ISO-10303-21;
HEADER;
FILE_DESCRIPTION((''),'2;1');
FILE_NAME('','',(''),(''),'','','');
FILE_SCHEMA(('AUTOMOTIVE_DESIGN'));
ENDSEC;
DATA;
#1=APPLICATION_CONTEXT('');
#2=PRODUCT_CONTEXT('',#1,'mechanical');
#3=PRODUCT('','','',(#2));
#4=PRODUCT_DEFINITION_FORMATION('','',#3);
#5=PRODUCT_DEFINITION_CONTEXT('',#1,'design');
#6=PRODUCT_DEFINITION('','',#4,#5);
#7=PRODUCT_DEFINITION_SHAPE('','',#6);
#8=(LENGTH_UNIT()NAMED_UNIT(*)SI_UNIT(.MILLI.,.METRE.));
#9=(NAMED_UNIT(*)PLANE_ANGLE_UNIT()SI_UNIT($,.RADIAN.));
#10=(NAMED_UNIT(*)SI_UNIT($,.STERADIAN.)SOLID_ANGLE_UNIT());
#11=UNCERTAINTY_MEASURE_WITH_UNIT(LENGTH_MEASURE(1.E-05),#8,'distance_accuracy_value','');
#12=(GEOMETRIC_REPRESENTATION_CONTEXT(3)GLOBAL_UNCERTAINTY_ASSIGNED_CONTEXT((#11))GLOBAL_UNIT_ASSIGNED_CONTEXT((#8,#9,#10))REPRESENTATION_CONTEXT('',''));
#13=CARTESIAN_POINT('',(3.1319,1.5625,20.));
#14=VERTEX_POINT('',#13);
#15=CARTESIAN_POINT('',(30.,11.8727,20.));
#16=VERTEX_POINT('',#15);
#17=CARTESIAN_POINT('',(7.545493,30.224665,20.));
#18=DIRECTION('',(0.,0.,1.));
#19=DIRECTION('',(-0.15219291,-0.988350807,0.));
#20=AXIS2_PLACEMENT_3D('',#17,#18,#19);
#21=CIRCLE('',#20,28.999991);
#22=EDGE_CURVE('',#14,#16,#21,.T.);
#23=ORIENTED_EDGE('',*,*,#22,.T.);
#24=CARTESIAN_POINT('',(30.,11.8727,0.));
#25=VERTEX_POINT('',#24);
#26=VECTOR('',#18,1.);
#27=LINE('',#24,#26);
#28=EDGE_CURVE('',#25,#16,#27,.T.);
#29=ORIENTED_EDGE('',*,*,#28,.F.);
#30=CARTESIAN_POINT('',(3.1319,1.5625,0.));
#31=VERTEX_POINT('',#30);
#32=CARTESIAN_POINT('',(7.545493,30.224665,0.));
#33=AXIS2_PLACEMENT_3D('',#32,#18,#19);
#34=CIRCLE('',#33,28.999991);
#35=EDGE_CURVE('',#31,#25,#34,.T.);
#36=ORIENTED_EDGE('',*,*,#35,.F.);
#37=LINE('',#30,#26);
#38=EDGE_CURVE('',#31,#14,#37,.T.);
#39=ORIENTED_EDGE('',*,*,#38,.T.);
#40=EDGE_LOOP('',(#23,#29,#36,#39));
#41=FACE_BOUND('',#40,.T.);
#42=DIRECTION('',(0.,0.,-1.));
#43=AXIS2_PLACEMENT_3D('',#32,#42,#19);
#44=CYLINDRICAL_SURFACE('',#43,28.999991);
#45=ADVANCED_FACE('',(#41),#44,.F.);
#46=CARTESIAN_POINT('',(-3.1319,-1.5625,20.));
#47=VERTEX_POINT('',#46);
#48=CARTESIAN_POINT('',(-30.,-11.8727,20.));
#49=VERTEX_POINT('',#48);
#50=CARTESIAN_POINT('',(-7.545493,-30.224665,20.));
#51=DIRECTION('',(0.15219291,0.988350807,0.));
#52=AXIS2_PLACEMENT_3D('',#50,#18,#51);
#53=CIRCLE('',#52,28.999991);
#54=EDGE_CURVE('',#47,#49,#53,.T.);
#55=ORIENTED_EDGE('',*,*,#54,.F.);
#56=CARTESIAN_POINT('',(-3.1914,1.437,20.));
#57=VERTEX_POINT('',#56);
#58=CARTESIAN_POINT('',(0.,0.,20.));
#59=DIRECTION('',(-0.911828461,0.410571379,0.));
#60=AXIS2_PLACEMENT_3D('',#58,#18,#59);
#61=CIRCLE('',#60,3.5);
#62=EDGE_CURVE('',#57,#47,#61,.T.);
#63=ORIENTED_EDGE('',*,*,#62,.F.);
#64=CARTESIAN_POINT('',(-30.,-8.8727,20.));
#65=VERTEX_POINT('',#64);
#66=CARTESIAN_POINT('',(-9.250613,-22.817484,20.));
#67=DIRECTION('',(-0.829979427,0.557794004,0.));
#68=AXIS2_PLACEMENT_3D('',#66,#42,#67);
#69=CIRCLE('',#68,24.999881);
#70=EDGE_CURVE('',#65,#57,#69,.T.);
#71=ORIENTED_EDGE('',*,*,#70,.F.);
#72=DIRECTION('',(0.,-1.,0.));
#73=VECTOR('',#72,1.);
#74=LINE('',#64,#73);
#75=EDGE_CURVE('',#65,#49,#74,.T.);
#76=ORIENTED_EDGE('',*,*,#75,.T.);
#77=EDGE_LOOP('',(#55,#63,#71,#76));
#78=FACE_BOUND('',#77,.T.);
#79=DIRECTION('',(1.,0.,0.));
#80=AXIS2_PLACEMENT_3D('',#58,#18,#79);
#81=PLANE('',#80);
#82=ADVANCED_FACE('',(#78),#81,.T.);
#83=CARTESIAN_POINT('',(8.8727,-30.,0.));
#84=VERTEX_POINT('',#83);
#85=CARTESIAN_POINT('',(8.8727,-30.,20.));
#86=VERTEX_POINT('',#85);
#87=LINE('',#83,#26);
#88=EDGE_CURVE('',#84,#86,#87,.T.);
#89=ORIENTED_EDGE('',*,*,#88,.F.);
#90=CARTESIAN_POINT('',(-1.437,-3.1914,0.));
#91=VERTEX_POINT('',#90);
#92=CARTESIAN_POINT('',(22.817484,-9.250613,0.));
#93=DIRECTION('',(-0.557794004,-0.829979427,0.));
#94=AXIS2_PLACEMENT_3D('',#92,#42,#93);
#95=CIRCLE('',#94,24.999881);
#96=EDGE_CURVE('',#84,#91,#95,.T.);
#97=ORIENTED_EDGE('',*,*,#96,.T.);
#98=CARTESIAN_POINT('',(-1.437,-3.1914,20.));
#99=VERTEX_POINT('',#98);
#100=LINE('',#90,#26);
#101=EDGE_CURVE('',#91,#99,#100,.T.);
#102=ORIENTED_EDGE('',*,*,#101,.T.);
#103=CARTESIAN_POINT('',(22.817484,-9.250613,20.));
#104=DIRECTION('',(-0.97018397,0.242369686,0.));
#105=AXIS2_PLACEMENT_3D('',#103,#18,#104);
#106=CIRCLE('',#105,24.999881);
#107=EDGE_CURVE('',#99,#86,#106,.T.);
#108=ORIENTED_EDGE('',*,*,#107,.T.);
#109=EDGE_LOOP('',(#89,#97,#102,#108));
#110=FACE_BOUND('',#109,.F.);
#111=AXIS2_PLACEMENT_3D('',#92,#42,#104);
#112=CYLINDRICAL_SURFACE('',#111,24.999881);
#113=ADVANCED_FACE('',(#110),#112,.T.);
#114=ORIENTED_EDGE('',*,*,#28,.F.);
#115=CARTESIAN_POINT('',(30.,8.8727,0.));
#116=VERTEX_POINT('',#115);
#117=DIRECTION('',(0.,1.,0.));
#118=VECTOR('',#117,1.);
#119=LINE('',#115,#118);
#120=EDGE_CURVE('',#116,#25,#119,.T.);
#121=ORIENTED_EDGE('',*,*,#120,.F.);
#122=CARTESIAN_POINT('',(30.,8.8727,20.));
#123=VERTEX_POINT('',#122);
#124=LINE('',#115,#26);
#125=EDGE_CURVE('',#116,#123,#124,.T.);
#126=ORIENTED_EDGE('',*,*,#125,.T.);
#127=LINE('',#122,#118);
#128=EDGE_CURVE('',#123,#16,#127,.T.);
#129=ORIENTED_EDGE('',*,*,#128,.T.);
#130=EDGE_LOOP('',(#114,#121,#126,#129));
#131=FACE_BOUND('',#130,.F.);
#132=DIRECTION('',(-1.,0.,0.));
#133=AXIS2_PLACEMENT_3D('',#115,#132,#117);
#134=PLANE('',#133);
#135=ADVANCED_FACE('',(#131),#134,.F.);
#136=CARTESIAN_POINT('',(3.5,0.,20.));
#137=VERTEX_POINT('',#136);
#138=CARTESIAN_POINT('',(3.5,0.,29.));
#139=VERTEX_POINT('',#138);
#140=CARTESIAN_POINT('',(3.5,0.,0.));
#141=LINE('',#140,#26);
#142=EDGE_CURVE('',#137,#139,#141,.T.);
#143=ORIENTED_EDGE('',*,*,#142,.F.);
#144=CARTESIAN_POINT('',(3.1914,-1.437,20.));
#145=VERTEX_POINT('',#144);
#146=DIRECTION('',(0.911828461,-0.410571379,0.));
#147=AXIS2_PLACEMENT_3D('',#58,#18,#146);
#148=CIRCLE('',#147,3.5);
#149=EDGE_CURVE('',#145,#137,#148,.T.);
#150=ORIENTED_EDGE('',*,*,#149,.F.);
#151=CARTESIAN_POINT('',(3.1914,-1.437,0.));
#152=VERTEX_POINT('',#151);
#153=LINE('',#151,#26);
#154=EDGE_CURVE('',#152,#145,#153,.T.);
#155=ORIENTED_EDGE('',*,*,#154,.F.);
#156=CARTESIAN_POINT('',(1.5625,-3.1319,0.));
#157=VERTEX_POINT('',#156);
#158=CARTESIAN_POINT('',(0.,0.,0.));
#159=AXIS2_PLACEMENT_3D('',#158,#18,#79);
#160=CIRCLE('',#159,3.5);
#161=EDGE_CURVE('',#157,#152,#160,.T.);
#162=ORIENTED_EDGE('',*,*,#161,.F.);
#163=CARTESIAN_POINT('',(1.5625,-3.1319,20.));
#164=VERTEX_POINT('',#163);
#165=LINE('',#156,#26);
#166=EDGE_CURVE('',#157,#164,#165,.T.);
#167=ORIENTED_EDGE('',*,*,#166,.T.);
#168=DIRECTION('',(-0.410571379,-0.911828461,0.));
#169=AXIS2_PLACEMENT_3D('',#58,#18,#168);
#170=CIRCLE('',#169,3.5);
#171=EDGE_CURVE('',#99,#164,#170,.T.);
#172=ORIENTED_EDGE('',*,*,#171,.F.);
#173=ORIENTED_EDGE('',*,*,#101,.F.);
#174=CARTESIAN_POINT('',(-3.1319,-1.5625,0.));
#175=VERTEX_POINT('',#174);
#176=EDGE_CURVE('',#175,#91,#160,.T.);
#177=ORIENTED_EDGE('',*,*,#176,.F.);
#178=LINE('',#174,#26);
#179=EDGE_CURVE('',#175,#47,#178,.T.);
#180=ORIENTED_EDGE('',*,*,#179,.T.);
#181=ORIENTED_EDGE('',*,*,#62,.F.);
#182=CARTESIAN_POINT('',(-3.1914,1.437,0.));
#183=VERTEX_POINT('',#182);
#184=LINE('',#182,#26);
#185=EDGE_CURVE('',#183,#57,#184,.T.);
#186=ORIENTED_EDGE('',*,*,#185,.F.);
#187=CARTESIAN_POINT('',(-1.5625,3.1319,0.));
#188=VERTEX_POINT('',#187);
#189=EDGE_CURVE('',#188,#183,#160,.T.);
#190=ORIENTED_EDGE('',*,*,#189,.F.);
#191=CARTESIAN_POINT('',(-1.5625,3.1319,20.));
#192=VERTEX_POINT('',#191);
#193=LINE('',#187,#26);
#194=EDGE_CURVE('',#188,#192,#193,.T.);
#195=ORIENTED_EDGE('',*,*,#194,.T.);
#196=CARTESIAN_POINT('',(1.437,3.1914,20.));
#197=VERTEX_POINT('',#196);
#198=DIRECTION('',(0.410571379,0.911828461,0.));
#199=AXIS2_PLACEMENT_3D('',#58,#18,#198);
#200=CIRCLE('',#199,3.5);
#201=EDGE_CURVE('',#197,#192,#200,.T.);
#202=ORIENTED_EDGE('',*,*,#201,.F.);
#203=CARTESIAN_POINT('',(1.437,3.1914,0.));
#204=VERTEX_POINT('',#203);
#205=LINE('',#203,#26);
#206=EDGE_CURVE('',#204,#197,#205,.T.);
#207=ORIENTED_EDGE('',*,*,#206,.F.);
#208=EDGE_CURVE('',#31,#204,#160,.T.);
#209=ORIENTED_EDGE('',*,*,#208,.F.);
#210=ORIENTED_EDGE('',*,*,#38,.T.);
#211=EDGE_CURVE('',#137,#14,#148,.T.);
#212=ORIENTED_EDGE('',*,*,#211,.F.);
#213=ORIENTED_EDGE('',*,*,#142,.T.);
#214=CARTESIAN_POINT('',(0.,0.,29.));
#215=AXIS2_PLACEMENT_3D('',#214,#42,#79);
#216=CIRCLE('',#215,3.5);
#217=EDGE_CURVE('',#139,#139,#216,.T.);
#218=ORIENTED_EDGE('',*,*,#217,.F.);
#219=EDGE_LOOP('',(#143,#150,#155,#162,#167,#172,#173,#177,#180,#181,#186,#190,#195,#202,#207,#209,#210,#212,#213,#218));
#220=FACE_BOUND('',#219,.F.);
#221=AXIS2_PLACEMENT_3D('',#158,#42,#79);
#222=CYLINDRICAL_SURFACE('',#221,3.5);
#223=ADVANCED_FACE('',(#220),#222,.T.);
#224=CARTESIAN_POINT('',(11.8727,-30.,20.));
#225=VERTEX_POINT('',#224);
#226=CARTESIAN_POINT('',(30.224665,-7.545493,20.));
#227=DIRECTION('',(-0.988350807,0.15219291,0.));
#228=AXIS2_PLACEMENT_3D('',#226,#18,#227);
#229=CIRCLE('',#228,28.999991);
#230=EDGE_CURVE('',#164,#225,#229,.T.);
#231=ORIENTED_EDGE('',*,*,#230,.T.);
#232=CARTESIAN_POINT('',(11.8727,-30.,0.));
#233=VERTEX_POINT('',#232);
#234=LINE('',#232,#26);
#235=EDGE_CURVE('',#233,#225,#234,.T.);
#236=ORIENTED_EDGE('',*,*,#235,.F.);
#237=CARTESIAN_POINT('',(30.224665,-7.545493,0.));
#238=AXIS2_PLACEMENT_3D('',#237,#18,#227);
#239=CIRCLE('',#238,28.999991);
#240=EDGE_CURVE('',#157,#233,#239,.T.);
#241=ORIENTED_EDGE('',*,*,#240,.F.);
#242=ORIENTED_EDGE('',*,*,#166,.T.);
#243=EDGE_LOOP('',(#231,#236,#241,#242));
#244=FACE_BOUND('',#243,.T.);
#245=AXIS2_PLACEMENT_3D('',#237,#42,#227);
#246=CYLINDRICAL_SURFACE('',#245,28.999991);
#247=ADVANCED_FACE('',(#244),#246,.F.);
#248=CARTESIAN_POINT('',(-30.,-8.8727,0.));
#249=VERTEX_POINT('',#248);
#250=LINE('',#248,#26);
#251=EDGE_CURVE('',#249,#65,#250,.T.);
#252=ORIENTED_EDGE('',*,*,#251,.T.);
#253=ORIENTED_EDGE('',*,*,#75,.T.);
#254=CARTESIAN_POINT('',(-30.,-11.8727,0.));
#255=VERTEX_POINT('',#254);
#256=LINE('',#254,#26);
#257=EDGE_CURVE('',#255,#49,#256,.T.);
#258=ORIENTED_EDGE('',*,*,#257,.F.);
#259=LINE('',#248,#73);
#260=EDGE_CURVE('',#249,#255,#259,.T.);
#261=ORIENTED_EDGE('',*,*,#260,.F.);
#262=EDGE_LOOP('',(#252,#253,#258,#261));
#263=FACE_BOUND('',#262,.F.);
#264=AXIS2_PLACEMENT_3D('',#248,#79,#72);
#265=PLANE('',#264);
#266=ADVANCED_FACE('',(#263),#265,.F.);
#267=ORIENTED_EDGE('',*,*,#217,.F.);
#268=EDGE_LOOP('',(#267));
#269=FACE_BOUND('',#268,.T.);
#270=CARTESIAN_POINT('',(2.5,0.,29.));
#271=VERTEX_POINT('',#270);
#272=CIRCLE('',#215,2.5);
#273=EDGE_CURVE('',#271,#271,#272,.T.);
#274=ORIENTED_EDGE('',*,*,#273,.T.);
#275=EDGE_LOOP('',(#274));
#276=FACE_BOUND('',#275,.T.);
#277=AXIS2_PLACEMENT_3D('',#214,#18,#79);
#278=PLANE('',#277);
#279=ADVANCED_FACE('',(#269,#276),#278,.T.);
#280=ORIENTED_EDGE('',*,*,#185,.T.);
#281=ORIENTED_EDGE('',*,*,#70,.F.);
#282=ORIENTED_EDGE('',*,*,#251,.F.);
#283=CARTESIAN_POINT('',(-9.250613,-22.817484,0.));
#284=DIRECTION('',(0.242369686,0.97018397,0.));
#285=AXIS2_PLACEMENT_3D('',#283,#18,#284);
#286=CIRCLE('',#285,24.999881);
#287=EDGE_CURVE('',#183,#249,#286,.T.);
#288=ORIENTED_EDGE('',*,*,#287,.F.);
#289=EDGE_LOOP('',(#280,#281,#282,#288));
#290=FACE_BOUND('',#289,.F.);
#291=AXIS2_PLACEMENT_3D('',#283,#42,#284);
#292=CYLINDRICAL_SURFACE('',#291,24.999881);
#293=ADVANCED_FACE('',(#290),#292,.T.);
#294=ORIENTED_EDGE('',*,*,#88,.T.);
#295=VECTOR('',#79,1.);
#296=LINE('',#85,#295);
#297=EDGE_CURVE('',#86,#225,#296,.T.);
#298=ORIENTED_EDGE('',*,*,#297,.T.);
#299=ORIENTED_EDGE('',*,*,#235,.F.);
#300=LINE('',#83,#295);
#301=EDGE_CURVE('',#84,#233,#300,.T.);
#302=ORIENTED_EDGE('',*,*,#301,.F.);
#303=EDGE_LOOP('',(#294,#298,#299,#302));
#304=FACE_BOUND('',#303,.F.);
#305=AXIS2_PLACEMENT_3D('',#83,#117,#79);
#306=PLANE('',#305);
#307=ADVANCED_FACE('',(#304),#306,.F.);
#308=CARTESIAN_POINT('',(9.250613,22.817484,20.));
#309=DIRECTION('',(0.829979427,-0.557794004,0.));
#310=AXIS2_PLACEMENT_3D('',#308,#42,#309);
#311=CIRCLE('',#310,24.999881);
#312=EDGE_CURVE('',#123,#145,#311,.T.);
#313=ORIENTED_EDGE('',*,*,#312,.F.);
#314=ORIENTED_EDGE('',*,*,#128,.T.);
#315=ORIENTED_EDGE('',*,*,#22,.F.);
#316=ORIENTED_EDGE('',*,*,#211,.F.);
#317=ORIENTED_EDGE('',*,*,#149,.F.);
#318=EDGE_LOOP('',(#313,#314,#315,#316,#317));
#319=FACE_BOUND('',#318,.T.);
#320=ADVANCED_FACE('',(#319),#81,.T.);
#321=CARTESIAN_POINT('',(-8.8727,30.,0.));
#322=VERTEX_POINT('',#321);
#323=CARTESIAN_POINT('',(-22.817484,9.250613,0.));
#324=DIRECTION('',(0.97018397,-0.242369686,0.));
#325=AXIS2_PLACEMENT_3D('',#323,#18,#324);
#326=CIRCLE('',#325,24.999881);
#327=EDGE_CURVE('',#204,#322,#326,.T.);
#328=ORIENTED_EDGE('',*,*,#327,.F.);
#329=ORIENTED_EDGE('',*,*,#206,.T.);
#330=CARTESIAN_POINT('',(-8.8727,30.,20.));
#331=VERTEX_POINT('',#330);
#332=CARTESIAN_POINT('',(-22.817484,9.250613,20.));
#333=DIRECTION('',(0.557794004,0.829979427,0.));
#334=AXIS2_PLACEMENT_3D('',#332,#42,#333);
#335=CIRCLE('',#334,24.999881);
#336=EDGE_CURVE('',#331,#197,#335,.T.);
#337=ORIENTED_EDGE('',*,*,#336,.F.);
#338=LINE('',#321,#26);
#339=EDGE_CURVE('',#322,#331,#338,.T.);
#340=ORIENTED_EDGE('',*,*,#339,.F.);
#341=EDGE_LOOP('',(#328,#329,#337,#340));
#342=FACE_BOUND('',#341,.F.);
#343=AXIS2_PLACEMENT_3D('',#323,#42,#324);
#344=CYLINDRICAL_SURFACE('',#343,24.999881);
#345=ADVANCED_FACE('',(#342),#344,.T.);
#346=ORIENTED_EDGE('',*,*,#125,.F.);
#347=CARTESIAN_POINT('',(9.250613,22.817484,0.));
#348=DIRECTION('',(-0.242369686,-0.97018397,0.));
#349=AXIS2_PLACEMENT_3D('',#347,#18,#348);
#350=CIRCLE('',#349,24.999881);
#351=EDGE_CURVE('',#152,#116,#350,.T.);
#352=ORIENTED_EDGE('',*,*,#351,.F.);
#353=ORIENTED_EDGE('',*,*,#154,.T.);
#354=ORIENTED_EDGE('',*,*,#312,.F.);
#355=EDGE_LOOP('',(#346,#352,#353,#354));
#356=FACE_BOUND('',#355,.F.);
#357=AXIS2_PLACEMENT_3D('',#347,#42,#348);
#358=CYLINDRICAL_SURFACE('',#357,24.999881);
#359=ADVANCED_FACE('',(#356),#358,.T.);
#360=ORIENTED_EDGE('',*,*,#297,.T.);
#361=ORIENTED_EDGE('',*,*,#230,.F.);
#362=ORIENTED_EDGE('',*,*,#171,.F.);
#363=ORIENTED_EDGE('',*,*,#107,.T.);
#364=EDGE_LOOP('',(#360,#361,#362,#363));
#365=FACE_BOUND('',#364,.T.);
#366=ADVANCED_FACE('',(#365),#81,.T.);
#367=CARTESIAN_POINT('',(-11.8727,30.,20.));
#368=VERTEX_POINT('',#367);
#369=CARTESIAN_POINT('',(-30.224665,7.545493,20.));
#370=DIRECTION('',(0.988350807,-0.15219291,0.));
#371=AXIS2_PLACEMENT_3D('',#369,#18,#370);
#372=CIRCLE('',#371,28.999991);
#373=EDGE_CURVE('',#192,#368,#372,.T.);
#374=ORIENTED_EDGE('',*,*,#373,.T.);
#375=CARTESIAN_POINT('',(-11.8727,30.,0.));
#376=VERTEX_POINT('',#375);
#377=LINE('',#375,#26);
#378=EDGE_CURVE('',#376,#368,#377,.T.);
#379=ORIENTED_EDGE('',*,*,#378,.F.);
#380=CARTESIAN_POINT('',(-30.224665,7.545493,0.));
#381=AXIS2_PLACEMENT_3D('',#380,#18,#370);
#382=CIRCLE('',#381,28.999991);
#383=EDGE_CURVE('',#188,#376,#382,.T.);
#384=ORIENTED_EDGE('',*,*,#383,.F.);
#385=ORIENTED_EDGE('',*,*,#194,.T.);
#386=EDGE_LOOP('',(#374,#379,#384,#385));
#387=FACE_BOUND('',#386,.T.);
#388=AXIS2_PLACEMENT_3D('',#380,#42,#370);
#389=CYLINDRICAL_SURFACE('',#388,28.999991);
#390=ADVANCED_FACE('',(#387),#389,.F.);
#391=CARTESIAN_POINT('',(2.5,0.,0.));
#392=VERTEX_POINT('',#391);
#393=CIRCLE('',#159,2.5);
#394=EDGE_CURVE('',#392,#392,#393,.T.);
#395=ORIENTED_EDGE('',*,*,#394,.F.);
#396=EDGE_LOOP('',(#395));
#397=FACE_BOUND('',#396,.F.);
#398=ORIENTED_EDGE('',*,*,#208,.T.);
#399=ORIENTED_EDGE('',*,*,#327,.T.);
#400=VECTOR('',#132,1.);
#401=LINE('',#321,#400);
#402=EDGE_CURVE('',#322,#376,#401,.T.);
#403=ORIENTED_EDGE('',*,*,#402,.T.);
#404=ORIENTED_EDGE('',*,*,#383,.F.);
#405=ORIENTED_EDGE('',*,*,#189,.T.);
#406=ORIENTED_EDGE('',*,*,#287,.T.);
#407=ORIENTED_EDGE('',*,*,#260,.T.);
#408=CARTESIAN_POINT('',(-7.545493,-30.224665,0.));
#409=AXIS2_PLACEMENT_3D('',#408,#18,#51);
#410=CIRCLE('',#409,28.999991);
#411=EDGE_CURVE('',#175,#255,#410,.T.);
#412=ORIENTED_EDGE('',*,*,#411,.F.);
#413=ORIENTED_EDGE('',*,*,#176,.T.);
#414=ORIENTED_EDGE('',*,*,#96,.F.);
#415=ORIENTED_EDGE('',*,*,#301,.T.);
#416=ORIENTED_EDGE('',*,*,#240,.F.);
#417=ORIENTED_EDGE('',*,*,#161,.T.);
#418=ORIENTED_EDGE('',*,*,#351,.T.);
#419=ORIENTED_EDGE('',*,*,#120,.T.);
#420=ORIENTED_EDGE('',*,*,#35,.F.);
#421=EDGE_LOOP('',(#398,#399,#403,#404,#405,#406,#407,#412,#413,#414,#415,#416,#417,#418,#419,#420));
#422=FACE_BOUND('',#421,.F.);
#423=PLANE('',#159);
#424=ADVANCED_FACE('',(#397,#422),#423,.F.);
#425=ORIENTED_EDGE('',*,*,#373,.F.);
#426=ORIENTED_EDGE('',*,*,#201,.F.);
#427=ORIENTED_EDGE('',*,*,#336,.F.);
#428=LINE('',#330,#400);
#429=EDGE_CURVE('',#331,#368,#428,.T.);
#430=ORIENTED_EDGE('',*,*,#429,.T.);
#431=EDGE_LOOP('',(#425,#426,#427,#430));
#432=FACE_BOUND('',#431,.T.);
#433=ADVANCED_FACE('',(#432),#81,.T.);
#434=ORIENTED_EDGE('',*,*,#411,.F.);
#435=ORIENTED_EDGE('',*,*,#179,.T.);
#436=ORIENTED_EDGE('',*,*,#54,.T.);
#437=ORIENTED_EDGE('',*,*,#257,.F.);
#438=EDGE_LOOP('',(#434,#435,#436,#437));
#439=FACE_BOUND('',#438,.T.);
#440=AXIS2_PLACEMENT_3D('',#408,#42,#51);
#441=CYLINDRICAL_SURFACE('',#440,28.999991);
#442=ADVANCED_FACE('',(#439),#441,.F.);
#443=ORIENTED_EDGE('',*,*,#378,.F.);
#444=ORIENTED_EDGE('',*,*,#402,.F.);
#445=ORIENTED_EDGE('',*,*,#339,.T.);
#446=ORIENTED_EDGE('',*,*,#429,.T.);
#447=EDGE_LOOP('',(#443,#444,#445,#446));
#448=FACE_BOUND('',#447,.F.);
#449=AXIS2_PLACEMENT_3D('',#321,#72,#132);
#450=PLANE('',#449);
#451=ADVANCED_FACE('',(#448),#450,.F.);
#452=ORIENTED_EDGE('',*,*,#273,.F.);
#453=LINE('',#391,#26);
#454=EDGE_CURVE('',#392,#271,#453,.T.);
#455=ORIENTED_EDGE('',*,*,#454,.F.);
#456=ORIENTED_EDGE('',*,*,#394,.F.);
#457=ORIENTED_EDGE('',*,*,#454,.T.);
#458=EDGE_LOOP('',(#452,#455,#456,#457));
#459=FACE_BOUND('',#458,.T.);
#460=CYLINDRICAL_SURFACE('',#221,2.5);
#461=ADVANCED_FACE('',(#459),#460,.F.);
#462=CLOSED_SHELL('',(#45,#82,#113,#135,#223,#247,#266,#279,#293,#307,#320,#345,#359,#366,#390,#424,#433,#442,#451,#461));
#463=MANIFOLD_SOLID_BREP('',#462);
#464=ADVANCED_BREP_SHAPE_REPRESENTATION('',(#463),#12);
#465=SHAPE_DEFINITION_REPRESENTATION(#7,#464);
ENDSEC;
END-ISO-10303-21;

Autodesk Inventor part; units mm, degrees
ref_plane "YZ Plane" through (0, 0, 0) normal (1, 0, 0) x (0, 1, 0)
ref_plane "XZ Plane" through (0, 0, 0) normal (0, 1, 0) x (-1, 0, 0)
ref_plane "XY Plane" through (0, 0, 0) normal (0, 0, 1) x (1, 0, 0)
sketch "Náčrt1" plane through (0, 0, 0) normal (0, 0, 1) x (1, 0, 0)
  line L0 (0, 4.9) -> (0, -4.9) projected
  line L1 (-4.9, 0) -> (4.9, 0) projected
  circle A0 centre (0, 0) radius 2.5
  circle A1 centre (0, 0) radius 3.5
  dimension "d0" = 5
  dimension "d1" = 7
extrude "Vysunutí1" add sketch "Náčrt1" along normal blind 29 contours A1 L1 A0 L0 | L0 A0 L1 A1 | A1 L0 A0 L1 | L1 A0 L0 A1
sketch "Náčrt3" plane through (0, 0, 0) normal (0, 0, 1) x (1, 0, 0)
  circle A0 centre (0, 0) radius 3.5 projected
  line L0 (0, 44.2797) -> (0, -44.2797) projected
  line L1 (-44.2797, 0) -> (44.2797, 0) projected
  line L2 (-8.8727, 30) -> (-11.8727, 30)
  arc A1 (1.437, 3.1914) -> (-8.8727, 30) centre (-22.8177, 9.2506) ccw
  arc A2 (-1.5625, 3.1319) -> (-11.8727, 30) centre (-30.2246, 7.5455) ccw
  arc A3 (-3.1319, -1.5625) -> (-30, -11.8727) centre (-7.5455, -30.2246) ccw
  arc A4 (-3.1914, 1.437) -> (-30, -8.8727) centre (-9.2506, -22.8177) ccw
  line L3 (-30, -8.8727) -> (-30, -11.8727)
  arc A5 (1.5625, -3.1319) -> (11.8727, -30) centre (30.2246, -7.5455) ccw
  arc A6 (-1.437, -3.1914) -> (8.8727, -30) centre (22.8177, -9.2506) ccw
  line L4 (8.8727, -30) -> (11.8727, -30)
  arc A7 (3.1319, 1.5625) -> (30, 11.8727) centre (7.5455, 30.2246) ccw
  arc A8 (3.1914, -1.437) -> (30, 8.8727) centre (9.2506, 22.8177) ccw
  line L5 (30, 8.8727) -> (30, 11.8727)
  point P0 (-1.437, -3.1914)
  point P1 (1.5625, -3.1319)
  point P2 (-3.1914, 1.437)
  point P3 (-3.1319, -1.5625)
  point P4 (3.1319, 1.5625)
  point P5 (3.1914, -1.437)
  dimension "d4" = 25
  dimension "d5" = 29
  dimension "d6" = 3
  dimension "d7" = 3
  dimension "d8" = 30
  dimension "d11" = 360
extrude "Vysunutí2" add sketch "Náčrt3" along normal blind 20 contours L1 A8 A0 | A0 A7 L5 A8 L1 | A0 L0 A1 | A5 L4 A6 L0 A0 | A0 A2 L2 A1 L0 | L0 A6 A0 | L1 A4 A0 | A0 A3 L3 A4 L1
properties part number "Naběračka"
